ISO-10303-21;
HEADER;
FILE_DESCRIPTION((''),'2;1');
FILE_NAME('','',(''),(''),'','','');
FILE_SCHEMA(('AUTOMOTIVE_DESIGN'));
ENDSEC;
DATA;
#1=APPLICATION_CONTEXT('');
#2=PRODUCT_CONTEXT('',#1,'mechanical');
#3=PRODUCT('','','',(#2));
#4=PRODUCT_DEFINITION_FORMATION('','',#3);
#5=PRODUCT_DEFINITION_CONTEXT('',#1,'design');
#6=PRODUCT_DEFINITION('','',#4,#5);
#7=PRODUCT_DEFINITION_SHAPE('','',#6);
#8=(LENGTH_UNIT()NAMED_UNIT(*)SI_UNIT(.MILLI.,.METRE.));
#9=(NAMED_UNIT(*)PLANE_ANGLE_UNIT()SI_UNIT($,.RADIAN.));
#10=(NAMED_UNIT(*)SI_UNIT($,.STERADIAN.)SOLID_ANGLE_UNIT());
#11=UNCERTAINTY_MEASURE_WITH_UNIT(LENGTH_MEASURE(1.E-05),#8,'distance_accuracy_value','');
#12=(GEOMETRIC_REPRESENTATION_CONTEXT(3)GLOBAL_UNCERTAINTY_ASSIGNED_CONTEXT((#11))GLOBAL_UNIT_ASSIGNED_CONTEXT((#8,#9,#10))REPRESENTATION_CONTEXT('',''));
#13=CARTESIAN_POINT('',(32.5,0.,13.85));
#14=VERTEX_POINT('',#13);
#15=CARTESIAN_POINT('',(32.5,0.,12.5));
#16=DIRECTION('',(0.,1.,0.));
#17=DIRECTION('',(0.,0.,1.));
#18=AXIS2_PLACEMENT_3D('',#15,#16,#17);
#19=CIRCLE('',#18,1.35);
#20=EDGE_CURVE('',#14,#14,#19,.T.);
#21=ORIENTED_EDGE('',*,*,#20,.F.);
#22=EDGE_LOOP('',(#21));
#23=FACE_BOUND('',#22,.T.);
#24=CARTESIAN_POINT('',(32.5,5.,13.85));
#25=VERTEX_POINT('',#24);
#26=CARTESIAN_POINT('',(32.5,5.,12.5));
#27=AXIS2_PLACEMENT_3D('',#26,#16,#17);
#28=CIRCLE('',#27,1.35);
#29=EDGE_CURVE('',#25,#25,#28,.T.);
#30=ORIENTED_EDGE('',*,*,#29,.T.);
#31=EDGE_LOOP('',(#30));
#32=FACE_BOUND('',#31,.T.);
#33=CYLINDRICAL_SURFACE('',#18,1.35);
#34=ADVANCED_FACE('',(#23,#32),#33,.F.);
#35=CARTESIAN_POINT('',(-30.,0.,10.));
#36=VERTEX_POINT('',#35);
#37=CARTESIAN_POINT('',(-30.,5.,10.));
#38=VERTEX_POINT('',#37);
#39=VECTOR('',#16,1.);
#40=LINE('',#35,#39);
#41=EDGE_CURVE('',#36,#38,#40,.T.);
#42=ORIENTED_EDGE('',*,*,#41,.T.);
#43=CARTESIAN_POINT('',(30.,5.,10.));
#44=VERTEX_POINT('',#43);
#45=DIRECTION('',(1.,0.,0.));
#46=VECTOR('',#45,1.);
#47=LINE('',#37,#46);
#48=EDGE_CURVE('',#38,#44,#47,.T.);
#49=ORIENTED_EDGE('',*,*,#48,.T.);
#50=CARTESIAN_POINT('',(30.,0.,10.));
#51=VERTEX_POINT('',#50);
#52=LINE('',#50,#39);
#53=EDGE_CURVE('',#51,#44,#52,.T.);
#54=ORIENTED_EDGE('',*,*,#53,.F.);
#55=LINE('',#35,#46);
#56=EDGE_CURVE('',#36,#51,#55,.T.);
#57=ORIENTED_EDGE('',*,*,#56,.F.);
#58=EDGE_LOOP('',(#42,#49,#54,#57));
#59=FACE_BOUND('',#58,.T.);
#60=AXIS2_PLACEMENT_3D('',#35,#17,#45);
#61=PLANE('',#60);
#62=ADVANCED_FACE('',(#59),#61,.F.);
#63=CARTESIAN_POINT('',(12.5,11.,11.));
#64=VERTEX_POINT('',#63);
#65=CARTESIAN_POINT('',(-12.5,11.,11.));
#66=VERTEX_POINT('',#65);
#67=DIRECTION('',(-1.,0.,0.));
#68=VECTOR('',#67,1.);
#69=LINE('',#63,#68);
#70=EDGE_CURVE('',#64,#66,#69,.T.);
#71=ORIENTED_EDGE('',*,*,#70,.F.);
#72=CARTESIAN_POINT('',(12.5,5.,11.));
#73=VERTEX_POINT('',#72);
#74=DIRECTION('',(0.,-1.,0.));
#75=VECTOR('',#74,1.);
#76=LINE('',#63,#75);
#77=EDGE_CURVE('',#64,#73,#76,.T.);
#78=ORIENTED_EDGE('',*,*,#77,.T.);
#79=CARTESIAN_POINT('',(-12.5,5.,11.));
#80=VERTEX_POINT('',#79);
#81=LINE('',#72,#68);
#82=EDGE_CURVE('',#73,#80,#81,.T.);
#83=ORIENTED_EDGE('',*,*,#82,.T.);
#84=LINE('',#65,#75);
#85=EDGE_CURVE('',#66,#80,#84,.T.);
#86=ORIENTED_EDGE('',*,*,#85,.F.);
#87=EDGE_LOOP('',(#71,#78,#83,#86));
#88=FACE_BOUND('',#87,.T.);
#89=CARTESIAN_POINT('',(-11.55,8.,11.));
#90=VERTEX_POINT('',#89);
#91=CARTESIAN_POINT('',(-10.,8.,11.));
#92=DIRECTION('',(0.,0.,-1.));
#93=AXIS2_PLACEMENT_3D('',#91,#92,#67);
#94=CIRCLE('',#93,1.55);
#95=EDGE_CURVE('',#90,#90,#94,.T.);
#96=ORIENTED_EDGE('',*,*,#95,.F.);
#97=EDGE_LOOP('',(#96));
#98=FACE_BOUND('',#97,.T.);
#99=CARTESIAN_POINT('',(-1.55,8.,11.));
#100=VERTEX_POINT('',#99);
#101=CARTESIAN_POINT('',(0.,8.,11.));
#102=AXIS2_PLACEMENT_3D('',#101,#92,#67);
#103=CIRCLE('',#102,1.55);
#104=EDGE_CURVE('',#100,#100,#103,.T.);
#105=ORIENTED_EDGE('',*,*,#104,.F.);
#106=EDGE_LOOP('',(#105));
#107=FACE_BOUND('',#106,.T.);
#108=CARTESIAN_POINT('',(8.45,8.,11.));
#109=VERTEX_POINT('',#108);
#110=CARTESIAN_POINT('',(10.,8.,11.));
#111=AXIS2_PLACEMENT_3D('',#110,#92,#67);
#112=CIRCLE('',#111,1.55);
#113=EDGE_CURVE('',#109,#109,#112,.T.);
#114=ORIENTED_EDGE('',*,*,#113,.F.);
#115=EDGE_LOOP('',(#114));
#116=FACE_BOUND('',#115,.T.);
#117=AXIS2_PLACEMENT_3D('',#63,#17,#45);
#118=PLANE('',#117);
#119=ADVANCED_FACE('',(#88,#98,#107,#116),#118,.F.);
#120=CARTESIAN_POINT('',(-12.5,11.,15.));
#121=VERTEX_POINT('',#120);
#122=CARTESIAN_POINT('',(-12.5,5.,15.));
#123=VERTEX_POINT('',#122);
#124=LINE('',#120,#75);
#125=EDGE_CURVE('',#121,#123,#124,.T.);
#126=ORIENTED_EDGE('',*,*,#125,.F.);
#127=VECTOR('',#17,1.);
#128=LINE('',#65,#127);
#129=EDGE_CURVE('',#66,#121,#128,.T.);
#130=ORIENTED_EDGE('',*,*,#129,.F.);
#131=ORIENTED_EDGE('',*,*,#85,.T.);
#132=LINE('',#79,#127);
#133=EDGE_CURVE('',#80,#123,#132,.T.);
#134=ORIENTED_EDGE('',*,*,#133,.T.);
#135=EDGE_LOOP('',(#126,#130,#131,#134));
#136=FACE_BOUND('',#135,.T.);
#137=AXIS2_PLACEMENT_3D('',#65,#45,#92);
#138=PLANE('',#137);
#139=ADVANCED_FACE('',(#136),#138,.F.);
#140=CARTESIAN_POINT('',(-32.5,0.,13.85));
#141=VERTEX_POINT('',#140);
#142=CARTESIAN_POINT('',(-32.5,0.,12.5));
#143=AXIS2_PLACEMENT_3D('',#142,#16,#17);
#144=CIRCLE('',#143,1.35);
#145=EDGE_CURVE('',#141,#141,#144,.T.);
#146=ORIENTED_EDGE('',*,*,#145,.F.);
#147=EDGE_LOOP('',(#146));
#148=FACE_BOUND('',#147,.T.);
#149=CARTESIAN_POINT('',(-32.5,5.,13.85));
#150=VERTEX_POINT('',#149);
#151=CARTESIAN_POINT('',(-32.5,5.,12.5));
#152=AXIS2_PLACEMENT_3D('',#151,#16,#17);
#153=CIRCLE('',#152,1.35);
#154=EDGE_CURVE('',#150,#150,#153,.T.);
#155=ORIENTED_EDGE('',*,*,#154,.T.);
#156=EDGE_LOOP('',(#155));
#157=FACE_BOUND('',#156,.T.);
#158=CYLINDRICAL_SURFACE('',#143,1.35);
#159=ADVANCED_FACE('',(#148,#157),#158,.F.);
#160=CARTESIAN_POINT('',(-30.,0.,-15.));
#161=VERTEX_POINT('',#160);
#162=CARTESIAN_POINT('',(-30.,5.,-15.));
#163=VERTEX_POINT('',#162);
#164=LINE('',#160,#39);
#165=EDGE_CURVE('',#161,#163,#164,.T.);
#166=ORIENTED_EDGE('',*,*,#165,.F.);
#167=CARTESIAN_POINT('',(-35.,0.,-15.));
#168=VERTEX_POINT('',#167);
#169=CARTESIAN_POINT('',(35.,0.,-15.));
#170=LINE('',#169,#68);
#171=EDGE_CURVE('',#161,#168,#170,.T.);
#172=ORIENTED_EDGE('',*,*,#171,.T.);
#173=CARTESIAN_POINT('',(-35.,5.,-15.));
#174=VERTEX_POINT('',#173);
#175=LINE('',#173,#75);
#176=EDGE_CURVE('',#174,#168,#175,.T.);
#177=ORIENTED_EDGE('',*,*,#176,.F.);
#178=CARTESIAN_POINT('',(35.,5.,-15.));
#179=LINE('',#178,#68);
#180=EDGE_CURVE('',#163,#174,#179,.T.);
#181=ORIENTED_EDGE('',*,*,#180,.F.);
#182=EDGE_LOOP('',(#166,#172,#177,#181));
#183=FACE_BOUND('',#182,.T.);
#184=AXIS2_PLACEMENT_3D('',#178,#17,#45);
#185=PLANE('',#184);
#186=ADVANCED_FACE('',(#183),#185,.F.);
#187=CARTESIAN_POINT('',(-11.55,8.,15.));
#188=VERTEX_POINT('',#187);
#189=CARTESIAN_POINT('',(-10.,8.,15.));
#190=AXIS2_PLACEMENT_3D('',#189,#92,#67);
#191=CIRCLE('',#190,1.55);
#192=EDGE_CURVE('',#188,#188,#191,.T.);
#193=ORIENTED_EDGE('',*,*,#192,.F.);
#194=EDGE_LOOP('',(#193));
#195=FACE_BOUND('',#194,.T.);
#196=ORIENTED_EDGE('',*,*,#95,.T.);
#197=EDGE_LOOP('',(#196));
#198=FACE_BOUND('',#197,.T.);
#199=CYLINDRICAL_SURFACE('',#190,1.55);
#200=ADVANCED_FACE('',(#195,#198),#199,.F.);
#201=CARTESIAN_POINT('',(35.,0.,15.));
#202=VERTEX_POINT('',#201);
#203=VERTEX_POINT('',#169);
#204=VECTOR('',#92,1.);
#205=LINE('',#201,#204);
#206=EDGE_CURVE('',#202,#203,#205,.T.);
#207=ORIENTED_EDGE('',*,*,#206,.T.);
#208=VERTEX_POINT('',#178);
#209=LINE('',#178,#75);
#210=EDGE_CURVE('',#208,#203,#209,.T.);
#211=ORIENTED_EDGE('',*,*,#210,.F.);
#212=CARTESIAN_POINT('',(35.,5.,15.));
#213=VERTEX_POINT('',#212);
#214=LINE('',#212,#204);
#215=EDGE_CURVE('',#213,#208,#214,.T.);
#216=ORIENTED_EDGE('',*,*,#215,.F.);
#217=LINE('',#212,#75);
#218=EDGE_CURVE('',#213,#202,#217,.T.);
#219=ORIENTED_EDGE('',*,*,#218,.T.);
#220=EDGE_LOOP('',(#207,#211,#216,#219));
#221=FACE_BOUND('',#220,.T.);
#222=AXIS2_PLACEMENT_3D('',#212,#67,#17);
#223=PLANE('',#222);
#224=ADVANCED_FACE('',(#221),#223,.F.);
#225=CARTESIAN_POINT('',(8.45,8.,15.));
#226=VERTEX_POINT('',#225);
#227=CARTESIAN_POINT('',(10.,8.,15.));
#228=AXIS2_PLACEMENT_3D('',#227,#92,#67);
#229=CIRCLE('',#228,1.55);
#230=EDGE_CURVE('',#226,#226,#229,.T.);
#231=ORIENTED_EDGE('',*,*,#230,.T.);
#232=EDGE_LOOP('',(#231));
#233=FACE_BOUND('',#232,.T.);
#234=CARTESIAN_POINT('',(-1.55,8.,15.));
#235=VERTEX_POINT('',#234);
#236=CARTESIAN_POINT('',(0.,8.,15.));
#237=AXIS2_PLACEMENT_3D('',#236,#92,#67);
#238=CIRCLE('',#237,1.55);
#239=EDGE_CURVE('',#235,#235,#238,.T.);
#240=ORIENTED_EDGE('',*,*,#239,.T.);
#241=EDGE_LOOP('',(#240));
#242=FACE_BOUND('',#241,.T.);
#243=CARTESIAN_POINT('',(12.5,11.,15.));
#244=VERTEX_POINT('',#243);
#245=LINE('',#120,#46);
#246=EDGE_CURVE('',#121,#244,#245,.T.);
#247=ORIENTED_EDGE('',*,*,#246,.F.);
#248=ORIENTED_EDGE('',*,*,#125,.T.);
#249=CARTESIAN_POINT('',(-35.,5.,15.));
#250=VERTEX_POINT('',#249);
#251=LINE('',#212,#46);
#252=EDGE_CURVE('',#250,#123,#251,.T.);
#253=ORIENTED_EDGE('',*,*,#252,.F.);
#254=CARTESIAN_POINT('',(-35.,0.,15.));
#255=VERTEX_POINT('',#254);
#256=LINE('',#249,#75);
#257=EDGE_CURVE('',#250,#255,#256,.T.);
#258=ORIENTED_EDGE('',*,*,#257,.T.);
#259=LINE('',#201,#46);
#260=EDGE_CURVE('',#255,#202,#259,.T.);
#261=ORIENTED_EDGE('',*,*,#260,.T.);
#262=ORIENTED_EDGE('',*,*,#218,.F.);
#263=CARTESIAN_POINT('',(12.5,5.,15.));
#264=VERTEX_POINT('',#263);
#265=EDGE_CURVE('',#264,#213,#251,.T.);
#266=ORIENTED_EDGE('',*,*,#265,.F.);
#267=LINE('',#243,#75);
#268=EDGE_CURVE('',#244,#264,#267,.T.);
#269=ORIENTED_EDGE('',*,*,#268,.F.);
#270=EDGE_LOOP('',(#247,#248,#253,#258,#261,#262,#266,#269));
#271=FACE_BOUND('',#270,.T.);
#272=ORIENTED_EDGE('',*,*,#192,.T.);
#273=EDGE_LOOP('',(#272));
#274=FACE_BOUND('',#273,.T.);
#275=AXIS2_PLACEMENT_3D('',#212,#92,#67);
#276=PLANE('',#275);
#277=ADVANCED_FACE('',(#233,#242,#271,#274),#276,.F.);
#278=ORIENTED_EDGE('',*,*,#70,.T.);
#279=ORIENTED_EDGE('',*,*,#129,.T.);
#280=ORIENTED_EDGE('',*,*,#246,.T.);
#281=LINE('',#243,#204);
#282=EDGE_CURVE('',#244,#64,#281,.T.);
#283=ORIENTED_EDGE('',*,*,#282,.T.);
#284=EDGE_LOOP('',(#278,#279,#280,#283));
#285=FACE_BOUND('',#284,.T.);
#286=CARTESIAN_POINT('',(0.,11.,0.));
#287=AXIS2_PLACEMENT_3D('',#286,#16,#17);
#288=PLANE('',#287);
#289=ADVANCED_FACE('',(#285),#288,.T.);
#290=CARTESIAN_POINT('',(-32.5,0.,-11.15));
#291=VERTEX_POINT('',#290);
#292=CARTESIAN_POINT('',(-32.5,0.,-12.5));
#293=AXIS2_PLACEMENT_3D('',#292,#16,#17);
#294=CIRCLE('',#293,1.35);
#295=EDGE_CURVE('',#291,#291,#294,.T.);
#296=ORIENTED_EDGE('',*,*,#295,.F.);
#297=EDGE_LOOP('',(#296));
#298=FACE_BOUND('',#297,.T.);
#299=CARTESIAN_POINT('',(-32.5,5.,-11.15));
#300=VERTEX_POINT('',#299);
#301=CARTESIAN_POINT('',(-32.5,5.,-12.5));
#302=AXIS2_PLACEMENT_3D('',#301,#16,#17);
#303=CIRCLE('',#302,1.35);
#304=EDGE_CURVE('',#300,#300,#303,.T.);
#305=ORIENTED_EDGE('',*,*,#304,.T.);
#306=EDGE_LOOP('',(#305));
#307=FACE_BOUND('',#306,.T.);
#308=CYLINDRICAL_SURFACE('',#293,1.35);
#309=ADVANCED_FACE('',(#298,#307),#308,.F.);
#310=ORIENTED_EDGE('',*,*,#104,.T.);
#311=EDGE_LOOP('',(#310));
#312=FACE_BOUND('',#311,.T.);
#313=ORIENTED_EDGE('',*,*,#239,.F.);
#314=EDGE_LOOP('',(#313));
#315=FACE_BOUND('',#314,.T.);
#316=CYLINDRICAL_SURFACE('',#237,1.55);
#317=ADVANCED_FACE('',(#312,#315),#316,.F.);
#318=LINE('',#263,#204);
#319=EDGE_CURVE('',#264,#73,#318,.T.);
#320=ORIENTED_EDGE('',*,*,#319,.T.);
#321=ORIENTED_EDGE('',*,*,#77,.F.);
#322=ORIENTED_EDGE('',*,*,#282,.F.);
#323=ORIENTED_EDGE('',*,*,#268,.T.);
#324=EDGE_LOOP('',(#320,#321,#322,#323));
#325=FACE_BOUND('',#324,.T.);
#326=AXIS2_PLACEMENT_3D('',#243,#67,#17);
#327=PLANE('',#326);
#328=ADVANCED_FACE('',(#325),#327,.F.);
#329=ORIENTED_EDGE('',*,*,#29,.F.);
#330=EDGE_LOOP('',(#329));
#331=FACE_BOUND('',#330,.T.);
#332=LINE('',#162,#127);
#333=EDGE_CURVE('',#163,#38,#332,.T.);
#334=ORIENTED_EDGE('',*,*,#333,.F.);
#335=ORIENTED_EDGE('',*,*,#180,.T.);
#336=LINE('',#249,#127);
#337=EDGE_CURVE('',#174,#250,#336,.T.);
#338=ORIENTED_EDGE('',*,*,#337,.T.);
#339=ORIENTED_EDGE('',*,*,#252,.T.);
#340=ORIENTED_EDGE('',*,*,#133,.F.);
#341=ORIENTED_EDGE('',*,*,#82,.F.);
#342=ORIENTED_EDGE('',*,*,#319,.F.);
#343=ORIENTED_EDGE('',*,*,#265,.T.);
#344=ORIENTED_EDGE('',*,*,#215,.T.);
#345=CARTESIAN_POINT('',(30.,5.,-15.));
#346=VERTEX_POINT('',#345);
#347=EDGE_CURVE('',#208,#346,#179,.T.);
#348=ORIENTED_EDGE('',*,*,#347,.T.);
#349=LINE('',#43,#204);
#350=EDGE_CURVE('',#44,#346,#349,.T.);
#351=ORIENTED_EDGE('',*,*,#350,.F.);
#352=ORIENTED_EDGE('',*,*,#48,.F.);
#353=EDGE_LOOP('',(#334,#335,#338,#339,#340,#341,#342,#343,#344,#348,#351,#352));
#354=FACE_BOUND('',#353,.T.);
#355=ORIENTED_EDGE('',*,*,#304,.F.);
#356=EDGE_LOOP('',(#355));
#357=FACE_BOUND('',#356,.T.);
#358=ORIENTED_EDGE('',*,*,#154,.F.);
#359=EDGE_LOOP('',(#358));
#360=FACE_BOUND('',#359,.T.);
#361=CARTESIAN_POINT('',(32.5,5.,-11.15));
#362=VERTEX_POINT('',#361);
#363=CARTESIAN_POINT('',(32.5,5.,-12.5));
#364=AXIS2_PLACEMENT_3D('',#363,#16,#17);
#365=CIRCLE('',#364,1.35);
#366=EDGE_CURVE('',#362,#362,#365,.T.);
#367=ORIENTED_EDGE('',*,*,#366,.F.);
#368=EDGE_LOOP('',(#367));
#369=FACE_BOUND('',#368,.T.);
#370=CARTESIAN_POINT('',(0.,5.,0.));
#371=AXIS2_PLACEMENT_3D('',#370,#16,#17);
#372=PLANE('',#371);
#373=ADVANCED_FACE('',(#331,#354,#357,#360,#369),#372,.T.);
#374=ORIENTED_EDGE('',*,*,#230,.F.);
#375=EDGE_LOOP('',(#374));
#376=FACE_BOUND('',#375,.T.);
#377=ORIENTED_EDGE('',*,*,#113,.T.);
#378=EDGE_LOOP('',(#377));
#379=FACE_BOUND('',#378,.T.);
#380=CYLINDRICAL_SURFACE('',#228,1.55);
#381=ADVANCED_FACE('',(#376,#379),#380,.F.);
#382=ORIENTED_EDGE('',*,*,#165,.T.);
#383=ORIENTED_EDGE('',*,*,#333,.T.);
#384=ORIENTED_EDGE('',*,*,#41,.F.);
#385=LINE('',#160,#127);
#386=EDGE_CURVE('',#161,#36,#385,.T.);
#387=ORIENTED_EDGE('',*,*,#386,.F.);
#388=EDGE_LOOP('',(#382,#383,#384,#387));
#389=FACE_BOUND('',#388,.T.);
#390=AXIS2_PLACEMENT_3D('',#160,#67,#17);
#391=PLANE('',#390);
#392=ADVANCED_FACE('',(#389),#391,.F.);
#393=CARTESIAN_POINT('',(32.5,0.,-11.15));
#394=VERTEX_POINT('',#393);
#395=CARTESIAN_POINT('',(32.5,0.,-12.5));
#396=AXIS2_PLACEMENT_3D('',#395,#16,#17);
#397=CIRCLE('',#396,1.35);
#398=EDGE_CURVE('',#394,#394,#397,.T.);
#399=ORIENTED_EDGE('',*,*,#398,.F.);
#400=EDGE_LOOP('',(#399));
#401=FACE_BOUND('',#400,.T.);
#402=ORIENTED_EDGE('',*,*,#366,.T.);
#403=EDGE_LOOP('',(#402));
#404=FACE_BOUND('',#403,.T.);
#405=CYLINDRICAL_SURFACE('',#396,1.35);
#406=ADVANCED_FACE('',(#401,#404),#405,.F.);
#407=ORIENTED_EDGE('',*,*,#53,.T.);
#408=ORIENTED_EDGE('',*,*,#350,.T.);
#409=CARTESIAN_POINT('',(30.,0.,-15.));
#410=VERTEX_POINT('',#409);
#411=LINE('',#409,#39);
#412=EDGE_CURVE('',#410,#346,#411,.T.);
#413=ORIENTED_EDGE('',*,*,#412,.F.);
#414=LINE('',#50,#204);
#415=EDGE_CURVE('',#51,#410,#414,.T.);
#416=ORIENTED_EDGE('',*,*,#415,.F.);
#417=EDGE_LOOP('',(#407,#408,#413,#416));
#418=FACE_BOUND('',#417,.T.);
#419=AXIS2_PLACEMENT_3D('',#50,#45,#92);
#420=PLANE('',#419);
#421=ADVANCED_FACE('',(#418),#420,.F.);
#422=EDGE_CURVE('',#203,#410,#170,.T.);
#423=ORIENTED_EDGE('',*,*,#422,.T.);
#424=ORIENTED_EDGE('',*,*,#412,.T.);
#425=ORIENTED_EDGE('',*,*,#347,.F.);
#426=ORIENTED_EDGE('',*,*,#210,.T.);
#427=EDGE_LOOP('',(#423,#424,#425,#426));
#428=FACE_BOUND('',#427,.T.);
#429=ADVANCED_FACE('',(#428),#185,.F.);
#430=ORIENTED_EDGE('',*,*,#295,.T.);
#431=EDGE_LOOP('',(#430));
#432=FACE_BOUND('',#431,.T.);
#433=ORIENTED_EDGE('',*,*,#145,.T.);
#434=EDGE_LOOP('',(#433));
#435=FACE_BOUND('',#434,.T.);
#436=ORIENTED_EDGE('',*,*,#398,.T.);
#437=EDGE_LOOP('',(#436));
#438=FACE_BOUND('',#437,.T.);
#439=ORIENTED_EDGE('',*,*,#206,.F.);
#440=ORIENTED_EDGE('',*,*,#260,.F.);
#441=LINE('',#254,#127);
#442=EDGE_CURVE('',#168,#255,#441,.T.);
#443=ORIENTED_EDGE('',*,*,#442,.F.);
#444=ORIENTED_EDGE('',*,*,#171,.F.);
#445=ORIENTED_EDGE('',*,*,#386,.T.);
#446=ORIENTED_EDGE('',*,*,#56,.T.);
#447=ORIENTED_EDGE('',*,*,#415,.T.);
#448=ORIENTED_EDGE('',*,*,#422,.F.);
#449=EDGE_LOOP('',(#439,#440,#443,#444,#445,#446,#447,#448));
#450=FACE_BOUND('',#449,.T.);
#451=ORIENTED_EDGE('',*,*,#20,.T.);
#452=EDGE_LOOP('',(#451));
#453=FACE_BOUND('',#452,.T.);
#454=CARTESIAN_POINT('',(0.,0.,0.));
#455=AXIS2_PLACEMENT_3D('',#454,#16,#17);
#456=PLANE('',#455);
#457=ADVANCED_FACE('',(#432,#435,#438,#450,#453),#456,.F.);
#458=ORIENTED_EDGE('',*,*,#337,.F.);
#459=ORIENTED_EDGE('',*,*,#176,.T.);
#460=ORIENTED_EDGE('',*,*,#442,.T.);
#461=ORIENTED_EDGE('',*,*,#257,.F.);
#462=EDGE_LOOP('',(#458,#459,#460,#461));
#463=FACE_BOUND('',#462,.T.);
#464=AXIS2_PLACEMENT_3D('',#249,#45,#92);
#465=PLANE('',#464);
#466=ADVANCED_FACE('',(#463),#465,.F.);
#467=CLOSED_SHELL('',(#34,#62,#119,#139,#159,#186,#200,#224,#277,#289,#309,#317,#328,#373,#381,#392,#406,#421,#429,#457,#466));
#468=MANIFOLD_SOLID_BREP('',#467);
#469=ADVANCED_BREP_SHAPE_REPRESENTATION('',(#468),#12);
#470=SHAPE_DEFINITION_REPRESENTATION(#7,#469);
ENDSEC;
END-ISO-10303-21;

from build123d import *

# Parameters (mm, degrees)
SKETCH1_W           = 70
SKETCH1_H           = 30
BOSS_EXTRUDE1_DEPTH = 5
SKETCH2_R           = 1.35
CUT_EXTRUDE1_DEPTH  = 6
SKETCH3_W           = 25
SKETCH3_H           = 4
BOSS_EXTRUDE2_DEPTH = 6
SKETCH4_R           = 1.55
CUT_EXTRUDE2_DEPTH  = 5
SKETCH5_W           = 60
SKETCH5_H           = 25
CUT_EXTRUDE3_DEPTH  = 6


with BuildPart() as part:
    # Sketch1 → Boss-Extrude1 (new body)
    with BuildSketch(Plane(origin=(0, 0, 0), x_dir=(1, 0, 0), z_dir=(0, 1, 0))):
        Rectangle(SKETCH1_W, SKETCH1_H)
    extrude(amount=BOSS_EXTRUDE1_DEPTH)

    # Sketch2 → Cut-Extrude1 (cut, through all)
    with BuildSketch(Plane(origin=(0, 5, 0), x_dir=(1, 0, 0), z_dir=(0, 1, 0))):
        with Locations((-32.5, 12.5)):
            Circle(SKETCH2_R)
        with Locations((32.5, 12.5)):
            Circle(SKETCH2_R)
        with Locations((-32.5, -12.5)):
            Circle(SKETCH2_R)
        with Locations((32.5, -12.5)):
            Circle(SKETCH2_R)
    extrude(amount=-CUT_EXTRUDE1_DEPTH, mode=Mode.SUBTRACT)

    # Sketch3 → Boss-Extrude2 (add)
    with BuildSketch(Plane(origin=(0, 5, 0), x_dir=(1, 0, 0), z_dir=(0, 1, 0))):
        with Locations((0, -13)):
            Rectangle(SKETCH3_W, SKETCH3_H)
    extrude(amount=BOSS_EXTRUDE2_DEPTH)

    # Sketch4 → Cut-Extrude2 (cut, through all)
    with BuildSketch(Plane(origin=(0, 0, 11), x_dir=(-1, 0, 0), z_dir=(0, 0, -1))):
        with Locations((-10, 8)):
            Circle(SKETCH4_R)
        with Locations((0, 8)):
            Circle(SKETCH4_R)
        with Locations((10, 8)):
            Circle(SKETCH4_R)
    extrude(amount=-CUT_EXTRUDE2_DEPTH, mode=Mode.SUBTRACT)

    # Sketch5 → Cut-Extrude3 (cut, through all)
    with BuildSketch(Plane(origin=(0, 5, 0), x_dir=(1, 0, 0), z_dir=(0, 1, 0))):
        with Locations((0, 2.5)):
            Rectangle(SKETCH5_W, SKETCH5_H)
    extrude(amount=-CUT_EXTRUDE3_DEPTH, mode=Mode.SUBTRACT)


solid = part.part
